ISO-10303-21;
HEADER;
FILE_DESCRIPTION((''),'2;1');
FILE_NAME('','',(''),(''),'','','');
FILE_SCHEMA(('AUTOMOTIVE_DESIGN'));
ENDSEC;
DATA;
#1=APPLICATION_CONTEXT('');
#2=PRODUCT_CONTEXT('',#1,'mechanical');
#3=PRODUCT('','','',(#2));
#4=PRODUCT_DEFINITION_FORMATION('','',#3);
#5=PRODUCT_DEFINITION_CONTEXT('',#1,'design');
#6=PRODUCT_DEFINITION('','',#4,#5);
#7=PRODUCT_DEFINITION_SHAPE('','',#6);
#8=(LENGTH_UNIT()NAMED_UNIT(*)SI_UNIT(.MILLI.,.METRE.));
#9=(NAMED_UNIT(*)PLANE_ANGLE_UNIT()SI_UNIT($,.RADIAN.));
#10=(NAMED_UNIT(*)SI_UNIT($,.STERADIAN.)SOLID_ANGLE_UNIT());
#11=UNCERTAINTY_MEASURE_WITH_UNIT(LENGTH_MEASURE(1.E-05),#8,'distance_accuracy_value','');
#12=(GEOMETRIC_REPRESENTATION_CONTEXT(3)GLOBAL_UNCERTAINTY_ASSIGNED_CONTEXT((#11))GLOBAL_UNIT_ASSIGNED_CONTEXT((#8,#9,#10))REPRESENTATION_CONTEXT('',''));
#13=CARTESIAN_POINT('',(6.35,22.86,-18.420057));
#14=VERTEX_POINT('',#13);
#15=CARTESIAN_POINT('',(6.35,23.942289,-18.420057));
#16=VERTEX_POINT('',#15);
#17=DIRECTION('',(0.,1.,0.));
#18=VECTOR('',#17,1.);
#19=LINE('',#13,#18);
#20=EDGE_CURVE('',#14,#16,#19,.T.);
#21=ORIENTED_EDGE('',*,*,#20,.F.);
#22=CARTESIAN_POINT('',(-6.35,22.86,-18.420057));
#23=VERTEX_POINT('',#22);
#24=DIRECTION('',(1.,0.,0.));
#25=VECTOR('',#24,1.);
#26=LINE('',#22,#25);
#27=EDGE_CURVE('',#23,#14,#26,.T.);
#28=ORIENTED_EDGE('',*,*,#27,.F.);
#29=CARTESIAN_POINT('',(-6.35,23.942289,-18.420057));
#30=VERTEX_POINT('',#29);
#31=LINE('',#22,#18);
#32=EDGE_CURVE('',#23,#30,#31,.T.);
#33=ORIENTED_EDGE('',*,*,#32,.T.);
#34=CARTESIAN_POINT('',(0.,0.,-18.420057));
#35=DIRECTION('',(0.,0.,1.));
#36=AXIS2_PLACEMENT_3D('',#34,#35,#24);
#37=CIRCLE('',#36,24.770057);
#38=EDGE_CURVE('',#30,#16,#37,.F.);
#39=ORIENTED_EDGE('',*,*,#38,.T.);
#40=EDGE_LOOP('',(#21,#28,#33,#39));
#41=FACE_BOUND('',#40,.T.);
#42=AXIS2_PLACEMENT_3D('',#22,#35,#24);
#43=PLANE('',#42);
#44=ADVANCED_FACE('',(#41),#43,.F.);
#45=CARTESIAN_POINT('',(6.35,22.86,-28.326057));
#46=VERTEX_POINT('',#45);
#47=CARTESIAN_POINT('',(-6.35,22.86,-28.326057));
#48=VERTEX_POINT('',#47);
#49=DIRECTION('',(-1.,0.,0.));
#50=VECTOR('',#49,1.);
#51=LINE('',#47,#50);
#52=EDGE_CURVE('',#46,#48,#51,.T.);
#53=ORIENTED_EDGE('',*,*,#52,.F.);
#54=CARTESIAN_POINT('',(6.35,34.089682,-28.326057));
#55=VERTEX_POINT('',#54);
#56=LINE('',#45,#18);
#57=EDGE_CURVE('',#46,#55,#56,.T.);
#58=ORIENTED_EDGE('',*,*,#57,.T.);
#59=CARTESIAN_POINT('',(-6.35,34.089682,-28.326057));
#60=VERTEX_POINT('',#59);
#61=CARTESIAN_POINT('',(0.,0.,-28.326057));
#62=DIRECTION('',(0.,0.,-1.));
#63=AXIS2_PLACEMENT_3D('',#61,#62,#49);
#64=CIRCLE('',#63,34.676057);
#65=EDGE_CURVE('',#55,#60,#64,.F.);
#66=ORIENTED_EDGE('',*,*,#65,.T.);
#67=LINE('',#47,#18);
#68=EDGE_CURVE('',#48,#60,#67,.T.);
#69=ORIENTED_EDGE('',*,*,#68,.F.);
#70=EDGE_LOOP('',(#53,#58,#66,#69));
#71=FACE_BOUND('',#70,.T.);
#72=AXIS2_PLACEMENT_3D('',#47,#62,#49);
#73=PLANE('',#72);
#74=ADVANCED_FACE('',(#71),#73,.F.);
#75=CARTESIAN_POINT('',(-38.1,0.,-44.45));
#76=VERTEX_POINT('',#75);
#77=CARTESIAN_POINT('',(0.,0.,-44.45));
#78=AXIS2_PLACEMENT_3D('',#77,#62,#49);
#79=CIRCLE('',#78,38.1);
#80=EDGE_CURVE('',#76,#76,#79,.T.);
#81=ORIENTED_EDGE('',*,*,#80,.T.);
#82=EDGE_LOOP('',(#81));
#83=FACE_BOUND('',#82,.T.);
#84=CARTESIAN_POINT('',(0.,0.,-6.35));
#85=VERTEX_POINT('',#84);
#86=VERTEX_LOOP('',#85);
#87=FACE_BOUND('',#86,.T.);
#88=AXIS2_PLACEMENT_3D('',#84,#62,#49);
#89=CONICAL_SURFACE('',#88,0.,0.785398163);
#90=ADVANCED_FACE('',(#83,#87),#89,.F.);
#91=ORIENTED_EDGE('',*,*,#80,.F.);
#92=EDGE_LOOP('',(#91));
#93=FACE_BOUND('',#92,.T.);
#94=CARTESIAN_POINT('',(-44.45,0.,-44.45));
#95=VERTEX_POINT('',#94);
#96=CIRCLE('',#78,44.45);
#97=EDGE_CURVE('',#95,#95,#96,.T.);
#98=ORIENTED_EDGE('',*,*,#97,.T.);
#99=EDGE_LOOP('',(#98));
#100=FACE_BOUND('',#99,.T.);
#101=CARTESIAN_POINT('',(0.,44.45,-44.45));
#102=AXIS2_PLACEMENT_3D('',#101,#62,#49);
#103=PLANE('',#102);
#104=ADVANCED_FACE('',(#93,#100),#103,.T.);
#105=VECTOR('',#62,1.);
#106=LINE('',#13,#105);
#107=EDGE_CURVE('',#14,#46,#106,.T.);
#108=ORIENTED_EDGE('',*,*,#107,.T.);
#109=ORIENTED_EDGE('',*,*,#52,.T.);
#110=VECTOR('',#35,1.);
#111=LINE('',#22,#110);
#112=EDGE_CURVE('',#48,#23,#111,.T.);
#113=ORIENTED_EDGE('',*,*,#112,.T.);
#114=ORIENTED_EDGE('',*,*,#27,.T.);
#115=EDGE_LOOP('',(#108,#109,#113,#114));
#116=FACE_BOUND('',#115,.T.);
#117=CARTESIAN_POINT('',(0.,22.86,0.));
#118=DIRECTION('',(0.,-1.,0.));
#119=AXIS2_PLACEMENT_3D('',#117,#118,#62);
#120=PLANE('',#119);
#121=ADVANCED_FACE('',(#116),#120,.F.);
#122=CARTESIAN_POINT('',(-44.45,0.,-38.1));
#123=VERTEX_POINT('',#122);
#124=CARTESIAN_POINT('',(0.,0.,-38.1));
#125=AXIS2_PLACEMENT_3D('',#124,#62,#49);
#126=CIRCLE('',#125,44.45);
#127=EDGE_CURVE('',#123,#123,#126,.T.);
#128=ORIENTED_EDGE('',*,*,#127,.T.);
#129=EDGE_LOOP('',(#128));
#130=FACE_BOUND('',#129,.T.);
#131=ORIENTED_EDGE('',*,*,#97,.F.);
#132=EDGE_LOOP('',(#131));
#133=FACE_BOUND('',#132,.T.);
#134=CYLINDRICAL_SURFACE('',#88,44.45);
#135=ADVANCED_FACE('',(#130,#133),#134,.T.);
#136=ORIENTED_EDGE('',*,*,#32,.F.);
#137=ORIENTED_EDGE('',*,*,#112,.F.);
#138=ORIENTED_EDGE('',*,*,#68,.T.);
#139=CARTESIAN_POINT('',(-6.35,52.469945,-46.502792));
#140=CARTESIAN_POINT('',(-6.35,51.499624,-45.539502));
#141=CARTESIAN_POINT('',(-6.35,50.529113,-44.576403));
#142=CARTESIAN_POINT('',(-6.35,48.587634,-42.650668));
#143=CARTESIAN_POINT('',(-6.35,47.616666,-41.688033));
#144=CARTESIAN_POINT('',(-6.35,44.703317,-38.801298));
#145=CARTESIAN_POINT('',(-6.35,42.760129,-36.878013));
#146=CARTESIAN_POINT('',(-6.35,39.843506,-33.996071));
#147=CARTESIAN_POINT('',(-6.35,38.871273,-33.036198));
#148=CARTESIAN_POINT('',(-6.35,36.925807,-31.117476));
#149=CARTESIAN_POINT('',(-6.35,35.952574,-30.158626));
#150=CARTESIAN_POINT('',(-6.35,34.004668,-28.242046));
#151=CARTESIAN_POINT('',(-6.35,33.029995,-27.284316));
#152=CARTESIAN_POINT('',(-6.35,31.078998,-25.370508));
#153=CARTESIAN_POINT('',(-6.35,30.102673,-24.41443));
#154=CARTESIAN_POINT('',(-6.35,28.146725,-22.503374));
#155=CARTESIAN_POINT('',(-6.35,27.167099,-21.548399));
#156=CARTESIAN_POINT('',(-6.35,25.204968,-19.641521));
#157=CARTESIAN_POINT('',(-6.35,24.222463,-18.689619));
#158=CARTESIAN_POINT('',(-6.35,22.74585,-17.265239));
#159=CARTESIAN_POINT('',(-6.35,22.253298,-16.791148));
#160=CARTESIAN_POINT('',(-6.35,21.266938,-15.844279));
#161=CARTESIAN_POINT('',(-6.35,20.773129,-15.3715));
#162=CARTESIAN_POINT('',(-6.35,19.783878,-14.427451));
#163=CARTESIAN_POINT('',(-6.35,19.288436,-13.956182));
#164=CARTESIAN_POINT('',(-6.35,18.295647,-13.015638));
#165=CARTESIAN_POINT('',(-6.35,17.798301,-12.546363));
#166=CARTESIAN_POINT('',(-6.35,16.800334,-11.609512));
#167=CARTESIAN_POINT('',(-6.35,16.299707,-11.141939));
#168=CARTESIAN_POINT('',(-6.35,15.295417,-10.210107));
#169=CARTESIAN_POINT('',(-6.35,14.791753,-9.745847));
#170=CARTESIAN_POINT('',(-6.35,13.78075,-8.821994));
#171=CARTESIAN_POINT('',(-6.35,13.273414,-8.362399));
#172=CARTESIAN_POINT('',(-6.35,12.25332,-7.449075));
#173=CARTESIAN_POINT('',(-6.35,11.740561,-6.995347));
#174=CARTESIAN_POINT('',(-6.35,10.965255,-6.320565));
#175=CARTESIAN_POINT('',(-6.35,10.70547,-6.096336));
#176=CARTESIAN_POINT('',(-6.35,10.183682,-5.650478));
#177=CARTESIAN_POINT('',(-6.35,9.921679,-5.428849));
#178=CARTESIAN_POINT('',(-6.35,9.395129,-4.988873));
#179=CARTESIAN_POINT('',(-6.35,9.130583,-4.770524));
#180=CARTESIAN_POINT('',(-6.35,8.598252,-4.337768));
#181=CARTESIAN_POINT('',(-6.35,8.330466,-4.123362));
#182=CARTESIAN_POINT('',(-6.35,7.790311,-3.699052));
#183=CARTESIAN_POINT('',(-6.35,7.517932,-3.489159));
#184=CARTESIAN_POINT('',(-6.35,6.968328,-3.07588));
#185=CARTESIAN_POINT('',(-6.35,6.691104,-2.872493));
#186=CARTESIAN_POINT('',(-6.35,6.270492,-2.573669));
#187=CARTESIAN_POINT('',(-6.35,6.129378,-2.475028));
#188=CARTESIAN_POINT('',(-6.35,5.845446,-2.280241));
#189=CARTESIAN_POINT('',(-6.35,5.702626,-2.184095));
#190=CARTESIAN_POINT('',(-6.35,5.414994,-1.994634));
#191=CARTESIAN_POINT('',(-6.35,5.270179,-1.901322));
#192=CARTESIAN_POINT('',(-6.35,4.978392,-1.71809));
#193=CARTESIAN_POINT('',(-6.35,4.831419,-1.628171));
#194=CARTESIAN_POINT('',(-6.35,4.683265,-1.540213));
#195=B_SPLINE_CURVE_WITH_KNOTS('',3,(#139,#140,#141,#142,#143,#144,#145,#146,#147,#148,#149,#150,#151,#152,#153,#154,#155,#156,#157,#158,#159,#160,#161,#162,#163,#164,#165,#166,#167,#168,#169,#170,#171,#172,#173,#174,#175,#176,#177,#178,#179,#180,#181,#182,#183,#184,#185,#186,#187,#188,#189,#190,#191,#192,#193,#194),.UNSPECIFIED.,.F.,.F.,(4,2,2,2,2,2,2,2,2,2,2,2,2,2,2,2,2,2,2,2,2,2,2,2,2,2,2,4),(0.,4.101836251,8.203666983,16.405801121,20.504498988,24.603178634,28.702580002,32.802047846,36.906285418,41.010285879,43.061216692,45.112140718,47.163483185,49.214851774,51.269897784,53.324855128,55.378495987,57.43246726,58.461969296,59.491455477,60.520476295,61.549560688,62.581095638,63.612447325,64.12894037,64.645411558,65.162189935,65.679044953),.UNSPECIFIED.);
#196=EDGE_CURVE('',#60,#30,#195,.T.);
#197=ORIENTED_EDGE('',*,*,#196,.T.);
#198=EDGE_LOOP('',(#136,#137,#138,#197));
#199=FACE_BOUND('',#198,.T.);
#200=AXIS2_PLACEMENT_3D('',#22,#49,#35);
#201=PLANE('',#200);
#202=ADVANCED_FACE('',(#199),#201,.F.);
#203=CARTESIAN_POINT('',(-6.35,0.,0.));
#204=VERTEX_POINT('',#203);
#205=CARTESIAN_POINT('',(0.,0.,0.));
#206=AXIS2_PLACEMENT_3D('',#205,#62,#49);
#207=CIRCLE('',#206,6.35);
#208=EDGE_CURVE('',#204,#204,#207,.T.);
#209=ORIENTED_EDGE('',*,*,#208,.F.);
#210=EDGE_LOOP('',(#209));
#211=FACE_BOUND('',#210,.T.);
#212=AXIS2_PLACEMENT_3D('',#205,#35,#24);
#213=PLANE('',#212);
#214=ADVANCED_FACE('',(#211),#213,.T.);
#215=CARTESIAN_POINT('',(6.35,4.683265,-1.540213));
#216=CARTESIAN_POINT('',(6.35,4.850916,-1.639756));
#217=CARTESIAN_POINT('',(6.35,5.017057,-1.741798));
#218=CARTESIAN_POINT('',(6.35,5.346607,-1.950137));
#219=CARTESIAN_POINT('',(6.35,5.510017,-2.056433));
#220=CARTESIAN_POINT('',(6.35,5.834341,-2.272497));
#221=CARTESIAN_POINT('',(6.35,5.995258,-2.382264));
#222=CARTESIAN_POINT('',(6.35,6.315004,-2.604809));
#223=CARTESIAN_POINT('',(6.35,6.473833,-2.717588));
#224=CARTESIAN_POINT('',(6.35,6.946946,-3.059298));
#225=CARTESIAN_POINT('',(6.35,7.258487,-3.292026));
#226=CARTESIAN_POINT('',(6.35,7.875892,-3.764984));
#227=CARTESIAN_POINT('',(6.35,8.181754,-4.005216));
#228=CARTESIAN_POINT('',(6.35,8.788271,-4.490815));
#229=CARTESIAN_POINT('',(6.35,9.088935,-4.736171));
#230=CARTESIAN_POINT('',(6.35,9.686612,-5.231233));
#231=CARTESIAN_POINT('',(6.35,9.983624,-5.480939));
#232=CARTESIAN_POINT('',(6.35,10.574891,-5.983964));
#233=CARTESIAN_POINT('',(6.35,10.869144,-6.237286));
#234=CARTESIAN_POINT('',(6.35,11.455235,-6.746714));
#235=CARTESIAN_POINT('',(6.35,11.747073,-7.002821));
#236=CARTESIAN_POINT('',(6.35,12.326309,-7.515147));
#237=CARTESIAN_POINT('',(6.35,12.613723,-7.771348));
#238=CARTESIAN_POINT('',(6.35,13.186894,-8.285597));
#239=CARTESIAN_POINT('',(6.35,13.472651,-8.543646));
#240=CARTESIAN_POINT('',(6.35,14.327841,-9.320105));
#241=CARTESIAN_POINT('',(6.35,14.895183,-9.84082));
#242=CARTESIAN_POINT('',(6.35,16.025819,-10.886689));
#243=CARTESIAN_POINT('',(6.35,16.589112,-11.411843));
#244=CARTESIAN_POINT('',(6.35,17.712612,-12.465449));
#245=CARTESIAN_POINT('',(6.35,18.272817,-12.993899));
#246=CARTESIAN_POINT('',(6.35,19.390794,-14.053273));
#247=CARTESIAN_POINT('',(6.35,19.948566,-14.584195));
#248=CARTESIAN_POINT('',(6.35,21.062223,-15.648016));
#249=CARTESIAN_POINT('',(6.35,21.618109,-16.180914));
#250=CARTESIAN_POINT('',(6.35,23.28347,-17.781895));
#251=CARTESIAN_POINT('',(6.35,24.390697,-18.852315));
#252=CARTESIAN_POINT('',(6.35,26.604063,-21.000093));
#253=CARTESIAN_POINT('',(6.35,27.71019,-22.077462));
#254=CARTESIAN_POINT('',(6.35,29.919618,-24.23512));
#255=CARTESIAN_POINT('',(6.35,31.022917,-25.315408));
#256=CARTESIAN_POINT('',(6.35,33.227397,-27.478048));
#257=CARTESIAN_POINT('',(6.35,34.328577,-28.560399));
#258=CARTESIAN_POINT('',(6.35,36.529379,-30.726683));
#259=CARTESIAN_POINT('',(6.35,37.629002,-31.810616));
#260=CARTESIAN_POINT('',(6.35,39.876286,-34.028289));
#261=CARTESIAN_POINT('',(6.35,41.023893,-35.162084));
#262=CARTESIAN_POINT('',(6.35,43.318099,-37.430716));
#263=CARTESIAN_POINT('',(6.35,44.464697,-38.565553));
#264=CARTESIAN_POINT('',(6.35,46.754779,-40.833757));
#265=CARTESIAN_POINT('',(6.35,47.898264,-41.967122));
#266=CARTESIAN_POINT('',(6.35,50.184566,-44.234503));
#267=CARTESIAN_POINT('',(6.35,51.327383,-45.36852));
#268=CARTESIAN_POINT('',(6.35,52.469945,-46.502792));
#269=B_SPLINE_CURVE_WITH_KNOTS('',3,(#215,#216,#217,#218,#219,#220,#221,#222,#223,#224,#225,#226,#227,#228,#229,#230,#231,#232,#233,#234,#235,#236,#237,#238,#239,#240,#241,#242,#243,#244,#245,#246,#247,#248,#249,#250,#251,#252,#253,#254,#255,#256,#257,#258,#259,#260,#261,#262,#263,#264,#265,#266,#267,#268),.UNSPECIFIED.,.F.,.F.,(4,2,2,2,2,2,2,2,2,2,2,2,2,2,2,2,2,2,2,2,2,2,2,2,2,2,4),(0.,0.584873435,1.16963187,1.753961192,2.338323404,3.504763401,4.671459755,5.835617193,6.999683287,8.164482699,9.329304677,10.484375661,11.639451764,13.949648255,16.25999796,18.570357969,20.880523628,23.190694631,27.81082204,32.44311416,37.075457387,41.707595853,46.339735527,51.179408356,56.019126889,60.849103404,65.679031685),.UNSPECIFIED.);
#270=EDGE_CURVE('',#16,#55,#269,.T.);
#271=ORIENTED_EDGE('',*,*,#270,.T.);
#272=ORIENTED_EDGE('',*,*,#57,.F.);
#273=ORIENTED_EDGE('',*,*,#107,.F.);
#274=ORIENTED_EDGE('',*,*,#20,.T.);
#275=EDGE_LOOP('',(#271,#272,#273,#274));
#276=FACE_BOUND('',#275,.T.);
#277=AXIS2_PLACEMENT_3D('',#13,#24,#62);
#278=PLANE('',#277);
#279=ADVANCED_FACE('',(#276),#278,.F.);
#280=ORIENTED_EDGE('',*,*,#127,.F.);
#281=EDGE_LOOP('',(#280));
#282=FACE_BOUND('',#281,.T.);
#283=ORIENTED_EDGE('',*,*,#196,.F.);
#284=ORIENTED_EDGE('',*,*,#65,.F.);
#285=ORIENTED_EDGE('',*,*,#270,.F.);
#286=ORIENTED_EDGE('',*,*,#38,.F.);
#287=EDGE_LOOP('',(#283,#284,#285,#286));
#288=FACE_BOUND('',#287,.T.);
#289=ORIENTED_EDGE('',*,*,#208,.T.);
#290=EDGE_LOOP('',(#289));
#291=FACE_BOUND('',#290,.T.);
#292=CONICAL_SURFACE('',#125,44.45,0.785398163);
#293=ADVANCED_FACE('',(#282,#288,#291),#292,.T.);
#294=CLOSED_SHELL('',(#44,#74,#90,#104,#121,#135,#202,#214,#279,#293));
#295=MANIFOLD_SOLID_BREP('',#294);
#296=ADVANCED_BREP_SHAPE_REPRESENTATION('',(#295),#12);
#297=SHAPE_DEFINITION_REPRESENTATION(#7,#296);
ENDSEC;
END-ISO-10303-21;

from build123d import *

# Parameters (mm, degrees)
CUT_EXTRUDE1_START = 38.1
SKETCH4_W          = 12.7
SKETCH4_H          = 9.906
CUT_EXTRUDE1_DEPTH = 15.24


with BuildPart() as part:
    # Sketch2 → Revolve2 (revolve)
    with BuildSketch(Plane(origin=(0, 0, 0), x_dir=(0, 0, -1), z_dir=(1, 0, 0)), mode=Mode.PRIVATE) as revolve2_sk:
        Polygon((0, 0), (0, 6.35), (38.1, 44.45), (44.45, 44.45), (44.45, 38.1), (6.35, 0), align=None)
    revolve(revolve2_sk.sketch.rotate(Axis((0, 0, -6.35), (0, 0, 1)), 90), axis=Axis((0, 0, -6.35), (0, 0, 1)))

    # Sketch4 → Cut-Extrude1 (cut)
    with BuildSketch(Plane(origin=(0, 0, 0), x_dir=(1, 0, 0), z_dir=(0, 1, 0)).offset(CUT_EXTRUDE1_START)):
        with Locations((0, 23.373056835)):
            Rectangle(SKETCH4_W, SKETCH4_H)
    extrude(amount=-CUT_EXTRUDE1_DEPTH, mode=Mode.SUBTRACT)


solid = part.part
